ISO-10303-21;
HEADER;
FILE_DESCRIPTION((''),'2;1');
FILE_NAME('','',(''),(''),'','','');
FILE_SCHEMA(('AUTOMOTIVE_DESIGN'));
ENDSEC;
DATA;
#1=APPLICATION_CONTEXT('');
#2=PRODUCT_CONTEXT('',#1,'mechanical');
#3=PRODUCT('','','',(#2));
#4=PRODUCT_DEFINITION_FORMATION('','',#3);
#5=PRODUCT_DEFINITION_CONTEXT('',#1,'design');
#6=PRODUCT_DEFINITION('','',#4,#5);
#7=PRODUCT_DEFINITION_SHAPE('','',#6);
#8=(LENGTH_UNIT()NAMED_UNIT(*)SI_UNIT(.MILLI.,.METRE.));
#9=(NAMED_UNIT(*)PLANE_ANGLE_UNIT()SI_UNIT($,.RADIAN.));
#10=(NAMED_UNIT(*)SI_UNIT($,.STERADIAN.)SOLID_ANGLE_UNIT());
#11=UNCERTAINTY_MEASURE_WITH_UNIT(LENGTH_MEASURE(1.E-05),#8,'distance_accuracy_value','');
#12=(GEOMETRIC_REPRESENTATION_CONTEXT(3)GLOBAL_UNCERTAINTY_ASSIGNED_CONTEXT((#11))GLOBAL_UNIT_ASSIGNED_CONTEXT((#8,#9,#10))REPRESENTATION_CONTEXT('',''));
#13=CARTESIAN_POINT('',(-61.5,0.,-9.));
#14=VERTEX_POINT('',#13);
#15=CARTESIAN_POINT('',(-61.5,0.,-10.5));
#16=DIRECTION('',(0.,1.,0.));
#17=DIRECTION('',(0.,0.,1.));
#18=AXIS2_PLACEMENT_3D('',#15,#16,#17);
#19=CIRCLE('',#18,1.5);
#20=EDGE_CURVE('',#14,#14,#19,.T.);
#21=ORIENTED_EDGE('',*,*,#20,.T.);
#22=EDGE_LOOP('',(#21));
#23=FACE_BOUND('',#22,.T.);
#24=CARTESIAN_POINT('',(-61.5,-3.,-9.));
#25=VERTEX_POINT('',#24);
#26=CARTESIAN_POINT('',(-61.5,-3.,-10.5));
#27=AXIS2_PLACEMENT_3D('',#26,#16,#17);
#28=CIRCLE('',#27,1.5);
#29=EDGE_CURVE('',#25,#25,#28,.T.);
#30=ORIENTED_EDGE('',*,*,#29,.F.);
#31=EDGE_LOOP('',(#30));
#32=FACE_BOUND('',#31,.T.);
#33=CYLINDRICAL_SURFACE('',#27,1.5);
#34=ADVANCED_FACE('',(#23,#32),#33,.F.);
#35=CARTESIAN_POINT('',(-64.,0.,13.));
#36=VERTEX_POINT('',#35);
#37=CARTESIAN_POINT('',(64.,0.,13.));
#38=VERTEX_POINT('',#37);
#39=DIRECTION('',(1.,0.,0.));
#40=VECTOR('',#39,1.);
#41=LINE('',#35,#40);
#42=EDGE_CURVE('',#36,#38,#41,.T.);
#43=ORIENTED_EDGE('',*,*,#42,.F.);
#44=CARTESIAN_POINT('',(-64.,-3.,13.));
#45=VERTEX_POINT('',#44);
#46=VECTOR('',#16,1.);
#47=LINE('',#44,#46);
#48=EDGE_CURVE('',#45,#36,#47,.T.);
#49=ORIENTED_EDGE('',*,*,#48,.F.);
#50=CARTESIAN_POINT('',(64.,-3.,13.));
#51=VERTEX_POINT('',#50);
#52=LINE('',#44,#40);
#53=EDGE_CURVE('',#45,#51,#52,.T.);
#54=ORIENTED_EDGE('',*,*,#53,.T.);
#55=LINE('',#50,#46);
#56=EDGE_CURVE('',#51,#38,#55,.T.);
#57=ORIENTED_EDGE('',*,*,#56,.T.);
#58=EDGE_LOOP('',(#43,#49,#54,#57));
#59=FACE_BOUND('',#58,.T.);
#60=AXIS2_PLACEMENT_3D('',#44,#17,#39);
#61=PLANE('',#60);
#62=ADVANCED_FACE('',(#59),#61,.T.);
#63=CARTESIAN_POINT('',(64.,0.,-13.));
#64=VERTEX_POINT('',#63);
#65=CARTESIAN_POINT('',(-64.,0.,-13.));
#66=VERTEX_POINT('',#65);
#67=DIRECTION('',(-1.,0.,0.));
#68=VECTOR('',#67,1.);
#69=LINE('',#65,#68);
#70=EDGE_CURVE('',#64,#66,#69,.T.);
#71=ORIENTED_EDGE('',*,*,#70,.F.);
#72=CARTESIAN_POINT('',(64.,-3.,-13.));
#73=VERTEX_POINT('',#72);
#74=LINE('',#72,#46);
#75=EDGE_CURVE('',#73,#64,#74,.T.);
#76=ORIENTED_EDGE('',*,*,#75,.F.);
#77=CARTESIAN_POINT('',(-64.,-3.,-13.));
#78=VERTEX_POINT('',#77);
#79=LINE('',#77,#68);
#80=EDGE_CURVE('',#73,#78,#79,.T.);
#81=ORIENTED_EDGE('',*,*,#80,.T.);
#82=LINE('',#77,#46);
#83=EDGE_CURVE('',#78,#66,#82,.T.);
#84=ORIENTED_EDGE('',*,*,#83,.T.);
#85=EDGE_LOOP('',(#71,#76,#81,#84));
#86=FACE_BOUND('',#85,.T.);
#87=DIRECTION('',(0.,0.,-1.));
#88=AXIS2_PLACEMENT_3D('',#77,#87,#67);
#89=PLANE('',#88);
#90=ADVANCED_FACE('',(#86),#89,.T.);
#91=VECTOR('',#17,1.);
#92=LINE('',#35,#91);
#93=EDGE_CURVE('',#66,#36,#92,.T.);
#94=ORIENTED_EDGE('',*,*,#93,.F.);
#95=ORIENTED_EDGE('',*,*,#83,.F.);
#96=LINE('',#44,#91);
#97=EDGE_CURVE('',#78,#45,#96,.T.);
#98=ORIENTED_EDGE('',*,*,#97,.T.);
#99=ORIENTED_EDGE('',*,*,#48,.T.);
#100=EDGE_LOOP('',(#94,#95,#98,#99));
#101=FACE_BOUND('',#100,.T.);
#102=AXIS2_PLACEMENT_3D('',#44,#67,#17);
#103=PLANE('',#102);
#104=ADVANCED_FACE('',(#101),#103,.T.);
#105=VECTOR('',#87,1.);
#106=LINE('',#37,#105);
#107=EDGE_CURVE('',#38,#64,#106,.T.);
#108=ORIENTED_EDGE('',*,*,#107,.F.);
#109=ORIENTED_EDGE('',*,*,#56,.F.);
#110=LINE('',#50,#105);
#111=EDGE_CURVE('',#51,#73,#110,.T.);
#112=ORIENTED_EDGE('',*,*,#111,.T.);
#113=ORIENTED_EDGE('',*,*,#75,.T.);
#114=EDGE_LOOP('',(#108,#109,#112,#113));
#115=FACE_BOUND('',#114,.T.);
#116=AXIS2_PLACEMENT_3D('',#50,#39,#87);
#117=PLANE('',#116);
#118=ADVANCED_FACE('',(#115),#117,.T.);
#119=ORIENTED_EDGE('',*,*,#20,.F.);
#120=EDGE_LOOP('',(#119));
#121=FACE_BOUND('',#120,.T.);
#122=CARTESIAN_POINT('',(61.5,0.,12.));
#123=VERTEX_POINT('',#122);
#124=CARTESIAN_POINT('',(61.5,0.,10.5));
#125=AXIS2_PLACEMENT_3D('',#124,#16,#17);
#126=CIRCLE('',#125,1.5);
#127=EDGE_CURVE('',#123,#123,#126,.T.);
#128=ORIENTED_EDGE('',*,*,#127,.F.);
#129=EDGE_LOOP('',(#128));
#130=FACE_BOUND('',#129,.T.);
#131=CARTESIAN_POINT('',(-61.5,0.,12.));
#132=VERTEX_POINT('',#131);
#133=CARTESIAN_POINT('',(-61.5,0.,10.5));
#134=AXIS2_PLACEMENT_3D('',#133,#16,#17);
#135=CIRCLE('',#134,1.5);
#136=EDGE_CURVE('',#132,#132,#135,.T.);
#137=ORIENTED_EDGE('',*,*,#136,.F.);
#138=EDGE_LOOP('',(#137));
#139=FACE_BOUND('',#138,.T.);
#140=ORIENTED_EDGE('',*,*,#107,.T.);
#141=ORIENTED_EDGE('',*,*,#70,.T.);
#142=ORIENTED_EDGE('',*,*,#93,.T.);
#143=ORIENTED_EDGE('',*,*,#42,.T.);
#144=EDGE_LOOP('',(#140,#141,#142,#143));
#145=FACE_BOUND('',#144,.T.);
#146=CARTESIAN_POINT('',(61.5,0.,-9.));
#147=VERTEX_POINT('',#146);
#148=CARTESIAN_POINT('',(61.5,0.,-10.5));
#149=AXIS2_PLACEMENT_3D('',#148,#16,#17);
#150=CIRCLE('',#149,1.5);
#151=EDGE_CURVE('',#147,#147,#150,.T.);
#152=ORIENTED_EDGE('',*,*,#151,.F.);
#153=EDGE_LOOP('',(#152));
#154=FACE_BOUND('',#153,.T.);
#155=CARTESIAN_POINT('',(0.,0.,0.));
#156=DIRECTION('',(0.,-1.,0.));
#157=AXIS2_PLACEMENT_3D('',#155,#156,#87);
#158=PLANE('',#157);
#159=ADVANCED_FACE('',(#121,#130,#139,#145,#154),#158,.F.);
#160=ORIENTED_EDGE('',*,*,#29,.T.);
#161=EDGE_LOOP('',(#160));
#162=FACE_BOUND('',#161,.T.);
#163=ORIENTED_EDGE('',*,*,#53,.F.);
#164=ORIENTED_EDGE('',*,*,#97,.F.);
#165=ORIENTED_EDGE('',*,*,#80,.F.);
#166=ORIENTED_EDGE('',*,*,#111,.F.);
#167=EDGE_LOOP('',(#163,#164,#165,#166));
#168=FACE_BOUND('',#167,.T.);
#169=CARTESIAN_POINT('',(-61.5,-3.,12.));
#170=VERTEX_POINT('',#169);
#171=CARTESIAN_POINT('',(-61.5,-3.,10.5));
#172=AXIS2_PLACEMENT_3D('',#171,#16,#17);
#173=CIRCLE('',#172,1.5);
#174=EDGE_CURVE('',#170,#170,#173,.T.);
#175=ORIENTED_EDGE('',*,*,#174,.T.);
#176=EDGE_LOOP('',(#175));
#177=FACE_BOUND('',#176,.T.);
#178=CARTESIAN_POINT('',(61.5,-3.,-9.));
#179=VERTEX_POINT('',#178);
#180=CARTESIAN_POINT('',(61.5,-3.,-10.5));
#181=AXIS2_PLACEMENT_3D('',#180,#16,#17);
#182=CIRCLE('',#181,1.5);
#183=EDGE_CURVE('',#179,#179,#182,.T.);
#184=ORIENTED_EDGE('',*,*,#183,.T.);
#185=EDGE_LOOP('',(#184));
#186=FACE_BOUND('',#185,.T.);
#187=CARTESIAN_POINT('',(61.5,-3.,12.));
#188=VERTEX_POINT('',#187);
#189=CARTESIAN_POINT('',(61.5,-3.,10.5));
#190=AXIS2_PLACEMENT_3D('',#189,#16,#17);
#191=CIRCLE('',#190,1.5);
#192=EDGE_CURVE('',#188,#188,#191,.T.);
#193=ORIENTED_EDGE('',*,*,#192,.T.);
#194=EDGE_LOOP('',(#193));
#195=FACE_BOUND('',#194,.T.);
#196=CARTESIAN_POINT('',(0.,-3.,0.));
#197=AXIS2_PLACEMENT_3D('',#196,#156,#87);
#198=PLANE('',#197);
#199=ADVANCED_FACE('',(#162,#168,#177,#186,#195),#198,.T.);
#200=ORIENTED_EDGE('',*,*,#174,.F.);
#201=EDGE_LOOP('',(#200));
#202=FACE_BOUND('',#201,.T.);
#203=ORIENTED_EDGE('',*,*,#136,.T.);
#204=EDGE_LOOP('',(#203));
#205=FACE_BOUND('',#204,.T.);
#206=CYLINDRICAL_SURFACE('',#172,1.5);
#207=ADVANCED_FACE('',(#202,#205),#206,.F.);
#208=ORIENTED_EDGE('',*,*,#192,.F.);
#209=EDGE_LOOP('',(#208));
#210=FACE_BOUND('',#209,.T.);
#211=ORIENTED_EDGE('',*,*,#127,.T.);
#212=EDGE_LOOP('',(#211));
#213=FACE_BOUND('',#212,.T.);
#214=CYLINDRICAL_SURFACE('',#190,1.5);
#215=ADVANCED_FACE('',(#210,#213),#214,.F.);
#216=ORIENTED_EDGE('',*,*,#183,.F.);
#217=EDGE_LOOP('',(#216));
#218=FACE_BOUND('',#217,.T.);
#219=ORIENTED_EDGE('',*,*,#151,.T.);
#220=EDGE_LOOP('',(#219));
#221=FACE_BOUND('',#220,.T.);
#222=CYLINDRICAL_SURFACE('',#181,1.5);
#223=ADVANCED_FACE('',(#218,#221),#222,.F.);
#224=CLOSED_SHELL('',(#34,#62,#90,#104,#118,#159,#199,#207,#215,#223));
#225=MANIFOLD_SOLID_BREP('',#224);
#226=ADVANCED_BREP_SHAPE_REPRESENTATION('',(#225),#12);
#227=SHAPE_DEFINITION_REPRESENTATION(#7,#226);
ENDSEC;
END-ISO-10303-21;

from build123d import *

# Parameters (mm, degrees)
SKETCH1_W           = 128
SKETCH1_H           = 26
SKETCH1_R           = 1.5
BOSS_EXTRUDE1_DEPTH = 3


with BuildPart() as part:
    # Sketch1 → Boss-Extrude1 (new body)
    with BuildSketch(Plane(origin=(0, 0, 0), x_dir=(1, 0, 0), z_dir=(0, 1, 0))):
        Rectangle(SKETCH1_W, SKETCH1_H)
        with Locations((-61.5, 10.5)):
            Circle(SKETCH1_R, mode=Mode.SUBTRACT)
        with Locations((61.5, 10.5)):
            Circle(SKETCH1_R, mode=Mode.SUBTRACT)
        with Locations((61.5, -10.5)):
            Circle(SKETCH1_R, mode=Mode.SUBTRACT)
        with Locations((-61.5, -10.5)):
            Circle(SKETCH1_R, mode=Mode.SUBTRACT)
    extrude(amount=-BOSS_EXTRUDE1_DEPTH)


solid = part.part
